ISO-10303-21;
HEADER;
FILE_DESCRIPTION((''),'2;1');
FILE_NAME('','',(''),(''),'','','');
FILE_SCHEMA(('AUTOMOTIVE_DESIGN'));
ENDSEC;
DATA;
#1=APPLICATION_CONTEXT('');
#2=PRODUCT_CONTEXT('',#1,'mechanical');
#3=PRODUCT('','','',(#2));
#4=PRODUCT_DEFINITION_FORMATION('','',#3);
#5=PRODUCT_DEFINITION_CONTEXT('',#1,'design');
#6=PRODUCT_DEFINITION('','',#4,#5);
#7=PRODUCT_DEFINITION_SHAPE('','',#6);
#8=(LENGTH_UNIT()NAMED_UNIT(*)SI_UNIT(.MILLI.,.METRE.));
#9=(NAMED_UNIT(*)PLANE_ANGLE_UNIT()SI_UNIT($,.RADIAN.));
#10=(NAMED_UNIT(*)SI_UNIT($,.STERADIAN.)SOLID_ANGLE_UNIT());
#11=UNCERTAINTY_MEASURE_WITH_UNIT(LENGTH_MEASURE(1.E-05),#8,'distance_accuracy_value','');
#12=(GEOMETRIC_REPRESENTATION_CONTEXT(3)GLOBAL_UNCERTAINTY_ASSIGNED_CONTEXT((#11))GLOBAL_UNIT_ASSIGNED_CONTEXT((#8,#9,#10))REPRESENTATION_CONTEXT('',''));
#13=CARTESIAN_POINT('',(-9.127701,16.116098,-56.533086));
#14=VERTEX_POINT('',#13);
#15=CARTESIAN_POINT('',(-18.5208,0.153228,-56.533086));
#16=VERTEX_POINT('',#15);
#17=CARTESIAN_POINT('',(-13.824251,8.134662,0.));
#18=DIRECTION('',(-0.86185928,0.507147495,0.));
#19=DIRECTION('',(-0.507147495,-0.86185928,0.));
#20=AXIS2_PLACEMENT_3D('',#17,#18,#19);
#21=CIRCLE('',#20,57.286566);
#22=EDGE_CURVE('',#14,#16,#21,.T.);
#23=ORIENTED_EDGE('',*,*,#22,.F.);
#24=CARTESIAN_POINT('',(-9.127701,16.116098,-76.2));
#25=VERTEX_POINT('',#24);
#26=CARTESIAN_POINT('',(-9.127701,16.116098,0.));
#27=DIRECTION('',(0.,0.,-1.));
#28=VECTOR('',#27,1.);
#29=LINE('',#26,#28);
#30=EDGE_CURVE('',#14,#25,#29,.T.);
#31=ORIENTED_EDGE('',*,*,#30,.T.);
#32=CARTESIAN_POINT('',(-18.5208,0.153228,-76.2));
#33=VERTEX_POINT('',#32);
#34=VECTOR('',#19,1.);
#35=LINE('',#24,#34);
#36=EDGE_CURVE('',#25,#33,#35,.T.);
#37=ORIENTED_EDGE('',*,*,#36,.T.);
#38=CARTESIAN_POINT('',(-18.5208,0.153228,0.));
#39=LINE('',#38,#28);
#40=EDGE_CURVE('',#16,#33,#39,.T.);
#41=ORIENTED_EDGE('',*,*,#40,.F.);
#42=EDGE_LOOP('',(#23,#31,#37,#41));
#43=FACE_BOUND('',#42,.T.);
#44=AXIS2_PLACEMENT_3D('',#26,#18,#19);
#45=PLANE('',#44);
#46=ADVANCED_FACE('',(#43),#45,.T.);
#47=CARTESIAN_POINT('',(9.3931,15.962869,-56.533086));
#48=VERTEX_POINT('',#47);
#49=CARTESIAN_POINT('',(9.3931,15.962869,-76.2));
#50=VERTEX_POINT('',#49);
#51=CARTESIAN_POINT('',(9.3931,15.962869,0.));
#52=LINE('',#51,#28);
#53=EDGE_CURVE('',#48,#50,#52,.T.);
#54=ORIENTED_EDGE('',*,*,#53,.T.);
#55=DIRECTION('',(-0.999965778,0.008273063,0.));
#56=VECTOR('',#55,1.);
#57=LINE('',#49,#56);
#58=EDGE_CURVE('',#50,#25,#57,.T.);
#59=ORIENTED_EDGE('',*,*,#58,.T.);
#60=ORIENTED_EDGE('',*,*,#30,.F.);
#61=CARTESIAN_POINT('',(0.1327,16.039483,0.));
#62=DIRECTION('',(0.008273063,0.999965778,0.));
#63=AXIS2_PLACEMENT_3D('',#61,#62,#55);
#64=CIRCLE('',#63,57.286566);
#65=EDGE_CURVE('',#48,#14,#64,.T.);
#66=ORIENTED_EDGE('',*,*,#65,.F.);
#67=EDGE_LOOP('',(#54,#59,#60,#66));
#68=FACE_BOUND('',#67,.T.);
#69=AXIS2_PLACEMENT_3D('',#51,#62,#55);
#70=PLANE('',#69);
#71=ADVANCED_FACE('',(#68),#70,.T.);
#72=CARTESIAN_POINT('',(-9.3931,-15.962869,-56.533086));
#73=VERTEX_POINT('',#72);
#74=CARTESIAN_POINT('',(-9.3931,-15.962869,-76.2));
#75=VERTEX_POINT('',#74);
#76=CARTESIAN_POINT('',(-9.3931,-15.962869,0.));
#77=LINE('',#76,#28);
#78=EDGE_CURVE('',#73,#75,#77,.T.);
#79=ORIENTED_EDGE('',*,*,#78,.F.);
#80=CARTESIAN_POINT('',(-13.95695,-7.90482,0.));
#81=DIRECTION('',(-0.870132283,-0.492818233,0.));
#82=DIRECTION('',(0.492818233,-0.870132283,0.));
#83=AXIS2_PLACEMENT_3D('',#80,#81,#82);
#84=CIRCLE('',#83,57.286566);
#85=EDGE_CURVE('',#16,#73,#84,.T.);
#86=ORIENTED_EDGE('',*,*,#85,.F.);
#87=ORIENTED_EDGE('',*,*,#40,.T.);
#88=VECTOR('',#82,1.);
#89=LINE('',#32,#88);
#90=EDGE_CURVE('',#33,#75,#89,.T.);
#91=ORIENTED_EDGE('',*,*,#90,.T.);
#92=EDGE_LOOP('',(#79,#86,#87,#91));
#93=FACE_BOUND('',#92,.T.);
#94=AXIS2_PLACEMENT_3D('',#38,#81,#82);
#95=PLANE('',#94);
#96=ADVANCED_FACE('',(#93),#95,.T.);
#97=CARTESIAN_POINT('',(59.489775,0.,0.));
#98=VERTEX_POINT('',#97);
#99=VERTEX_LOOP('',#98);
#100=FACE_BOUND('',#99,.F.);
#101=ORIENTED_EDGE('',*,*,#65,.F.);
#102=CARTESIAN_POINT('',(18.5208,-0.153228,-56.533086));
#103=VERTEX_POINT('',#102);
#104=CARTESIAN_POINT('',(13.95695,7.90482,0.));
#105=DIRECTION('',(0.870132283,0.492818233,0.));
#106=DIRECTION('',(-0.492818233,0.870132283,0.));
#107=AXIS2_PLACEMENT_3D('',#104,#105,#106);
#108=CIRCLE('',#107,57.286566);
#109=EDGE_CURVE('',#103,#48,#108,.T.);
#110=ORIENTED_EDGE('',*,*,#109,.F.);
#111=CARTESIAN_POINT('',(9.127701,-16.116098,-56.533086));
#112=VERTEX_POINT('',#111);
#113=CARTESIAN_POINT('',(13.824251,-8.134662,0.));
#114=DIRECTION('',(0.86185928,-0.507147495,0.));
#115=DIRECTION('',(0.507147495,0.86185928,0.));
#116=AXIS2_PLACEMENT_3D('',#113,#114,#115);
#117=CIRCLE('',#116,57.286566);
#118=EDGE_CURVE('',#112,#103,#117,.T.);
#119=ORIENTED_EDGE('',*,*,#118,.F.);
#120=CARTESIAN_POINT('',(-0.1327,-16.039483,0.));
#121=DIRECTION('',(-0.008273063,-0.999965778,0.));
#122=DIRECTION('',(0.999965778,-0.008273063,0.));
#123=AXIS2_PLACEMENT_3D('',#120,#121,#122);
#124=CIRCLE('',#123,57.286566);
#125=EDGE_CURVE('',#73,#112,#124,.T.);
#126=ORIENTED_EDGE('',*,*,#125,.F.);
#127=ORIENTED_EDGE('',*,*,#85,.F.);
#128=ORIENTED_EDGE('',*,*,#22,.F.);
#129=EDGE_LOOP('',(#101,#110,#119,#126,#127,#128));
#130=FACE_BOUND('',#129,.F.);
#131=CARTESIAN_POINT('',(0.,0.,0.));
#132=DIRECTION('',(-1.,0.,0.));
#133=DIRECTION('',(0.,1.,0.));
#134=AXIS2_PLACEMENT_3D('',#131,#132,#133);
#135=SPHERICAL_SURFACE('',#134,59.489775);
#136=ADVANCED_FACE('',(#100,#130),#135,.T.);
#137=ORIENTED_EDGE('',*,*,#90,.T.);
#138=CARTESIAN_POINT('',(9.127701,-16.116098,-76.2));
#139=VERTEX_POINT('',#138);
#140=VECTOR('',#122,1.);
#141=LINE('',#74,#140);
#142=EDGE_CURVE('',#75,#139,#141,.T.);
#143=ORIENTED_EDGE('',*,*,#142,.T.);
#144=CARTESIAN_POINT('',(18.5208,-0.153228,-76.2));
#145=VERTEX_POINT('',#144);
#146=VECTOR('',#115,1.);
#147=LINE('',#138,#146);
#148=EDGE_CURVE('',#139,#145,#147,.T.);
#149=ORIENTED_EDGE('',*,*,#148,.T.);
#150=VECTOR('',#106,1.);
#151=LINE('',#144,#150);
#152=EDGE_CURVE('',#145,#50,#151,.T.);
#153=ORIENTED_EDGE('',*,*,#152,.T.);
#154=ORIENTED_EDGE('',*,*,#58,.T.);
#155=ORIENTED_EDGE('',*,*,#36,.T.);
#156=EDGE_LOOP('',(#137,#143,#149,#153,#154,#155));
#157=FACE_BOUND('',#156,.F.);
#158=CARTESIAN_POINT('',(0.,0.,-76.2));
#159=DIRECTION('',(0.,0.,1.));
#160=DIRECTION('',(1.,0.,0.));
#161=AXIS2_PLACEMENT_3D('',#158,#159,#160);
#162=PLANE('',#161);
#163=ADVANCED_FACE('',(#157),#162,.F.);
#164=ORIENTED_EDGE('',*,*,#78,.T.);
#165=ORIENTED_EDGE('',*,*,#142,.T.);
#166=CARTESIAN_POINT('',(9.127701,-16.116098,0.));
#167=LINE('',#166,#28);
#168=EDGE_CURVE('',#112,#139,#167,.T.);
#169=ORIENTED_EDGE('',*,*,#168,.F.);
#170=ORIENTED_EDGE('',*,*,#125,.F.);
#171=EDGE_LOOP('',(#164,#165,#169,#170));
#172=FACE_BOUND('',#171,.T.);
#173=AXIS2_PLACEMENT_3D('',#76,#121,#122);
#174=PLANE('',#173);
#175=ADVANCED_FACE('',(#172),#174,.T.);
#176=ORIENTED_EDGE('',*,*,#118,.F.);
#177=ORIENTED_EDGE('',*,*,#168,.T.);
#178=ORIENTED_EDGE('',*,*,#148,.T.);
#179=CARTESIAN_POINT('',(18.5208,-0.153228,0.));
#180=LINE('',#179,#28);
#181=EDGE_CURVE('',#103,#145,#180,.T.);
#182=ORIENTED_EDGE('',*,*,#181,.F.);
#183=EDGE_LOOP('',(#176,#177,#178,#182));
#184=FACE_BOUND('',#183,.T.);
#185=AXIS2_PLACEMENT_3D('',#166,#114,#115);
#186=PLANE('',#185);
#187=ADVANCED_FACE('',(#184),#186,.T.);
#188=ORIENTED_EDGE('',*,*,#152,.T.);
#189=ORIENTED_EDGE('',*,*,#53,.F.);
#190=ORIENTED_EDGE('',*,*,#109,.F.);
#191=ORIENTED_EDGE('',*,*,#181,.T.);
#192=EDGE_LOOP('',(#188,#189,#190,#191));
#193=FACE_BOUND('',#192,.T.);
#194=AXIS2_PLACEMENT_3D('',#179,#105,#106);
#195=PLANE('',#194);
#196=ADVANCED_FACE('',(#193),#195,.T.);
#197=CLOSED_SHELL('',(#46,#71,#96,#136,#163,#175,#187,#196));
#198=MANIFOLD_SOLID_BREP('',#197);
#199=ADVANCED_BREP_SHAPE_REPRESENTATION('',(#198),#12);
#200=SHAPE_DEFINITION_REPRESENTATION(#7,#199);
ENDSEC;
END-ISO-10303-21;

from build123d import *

# Parameters (mm, degrees)
F3_DEPTH = 76.2


with BuildPart() as f1:
    # F0 (on Top) → F1 (revolve)
    with BuildSketch(Plane.XY):
        with BuildLine():
            Line((-59.489775, 0), (59.489775, 0))
            ThreePointArc((59.489775, 0), (0, 59.489775), (-59.489775, 0))
        make_face()
    revolve(axis=Axis((0, 0, 0), (1, 0, 0)))

    # F2 (on Top) → F3 (join)
    with BuildSketch(Plane.XY):
        Polygon((9.3931, 15.962869), (-9.127701, 16.116098), (-18.5208, 0.153228), (-9.3931, -15.962869), (9.127701, -16.116098), (18.5208, -0.153228), align=None)
    extrude(amount=-F3_DEPTH)


solid = f1.part
